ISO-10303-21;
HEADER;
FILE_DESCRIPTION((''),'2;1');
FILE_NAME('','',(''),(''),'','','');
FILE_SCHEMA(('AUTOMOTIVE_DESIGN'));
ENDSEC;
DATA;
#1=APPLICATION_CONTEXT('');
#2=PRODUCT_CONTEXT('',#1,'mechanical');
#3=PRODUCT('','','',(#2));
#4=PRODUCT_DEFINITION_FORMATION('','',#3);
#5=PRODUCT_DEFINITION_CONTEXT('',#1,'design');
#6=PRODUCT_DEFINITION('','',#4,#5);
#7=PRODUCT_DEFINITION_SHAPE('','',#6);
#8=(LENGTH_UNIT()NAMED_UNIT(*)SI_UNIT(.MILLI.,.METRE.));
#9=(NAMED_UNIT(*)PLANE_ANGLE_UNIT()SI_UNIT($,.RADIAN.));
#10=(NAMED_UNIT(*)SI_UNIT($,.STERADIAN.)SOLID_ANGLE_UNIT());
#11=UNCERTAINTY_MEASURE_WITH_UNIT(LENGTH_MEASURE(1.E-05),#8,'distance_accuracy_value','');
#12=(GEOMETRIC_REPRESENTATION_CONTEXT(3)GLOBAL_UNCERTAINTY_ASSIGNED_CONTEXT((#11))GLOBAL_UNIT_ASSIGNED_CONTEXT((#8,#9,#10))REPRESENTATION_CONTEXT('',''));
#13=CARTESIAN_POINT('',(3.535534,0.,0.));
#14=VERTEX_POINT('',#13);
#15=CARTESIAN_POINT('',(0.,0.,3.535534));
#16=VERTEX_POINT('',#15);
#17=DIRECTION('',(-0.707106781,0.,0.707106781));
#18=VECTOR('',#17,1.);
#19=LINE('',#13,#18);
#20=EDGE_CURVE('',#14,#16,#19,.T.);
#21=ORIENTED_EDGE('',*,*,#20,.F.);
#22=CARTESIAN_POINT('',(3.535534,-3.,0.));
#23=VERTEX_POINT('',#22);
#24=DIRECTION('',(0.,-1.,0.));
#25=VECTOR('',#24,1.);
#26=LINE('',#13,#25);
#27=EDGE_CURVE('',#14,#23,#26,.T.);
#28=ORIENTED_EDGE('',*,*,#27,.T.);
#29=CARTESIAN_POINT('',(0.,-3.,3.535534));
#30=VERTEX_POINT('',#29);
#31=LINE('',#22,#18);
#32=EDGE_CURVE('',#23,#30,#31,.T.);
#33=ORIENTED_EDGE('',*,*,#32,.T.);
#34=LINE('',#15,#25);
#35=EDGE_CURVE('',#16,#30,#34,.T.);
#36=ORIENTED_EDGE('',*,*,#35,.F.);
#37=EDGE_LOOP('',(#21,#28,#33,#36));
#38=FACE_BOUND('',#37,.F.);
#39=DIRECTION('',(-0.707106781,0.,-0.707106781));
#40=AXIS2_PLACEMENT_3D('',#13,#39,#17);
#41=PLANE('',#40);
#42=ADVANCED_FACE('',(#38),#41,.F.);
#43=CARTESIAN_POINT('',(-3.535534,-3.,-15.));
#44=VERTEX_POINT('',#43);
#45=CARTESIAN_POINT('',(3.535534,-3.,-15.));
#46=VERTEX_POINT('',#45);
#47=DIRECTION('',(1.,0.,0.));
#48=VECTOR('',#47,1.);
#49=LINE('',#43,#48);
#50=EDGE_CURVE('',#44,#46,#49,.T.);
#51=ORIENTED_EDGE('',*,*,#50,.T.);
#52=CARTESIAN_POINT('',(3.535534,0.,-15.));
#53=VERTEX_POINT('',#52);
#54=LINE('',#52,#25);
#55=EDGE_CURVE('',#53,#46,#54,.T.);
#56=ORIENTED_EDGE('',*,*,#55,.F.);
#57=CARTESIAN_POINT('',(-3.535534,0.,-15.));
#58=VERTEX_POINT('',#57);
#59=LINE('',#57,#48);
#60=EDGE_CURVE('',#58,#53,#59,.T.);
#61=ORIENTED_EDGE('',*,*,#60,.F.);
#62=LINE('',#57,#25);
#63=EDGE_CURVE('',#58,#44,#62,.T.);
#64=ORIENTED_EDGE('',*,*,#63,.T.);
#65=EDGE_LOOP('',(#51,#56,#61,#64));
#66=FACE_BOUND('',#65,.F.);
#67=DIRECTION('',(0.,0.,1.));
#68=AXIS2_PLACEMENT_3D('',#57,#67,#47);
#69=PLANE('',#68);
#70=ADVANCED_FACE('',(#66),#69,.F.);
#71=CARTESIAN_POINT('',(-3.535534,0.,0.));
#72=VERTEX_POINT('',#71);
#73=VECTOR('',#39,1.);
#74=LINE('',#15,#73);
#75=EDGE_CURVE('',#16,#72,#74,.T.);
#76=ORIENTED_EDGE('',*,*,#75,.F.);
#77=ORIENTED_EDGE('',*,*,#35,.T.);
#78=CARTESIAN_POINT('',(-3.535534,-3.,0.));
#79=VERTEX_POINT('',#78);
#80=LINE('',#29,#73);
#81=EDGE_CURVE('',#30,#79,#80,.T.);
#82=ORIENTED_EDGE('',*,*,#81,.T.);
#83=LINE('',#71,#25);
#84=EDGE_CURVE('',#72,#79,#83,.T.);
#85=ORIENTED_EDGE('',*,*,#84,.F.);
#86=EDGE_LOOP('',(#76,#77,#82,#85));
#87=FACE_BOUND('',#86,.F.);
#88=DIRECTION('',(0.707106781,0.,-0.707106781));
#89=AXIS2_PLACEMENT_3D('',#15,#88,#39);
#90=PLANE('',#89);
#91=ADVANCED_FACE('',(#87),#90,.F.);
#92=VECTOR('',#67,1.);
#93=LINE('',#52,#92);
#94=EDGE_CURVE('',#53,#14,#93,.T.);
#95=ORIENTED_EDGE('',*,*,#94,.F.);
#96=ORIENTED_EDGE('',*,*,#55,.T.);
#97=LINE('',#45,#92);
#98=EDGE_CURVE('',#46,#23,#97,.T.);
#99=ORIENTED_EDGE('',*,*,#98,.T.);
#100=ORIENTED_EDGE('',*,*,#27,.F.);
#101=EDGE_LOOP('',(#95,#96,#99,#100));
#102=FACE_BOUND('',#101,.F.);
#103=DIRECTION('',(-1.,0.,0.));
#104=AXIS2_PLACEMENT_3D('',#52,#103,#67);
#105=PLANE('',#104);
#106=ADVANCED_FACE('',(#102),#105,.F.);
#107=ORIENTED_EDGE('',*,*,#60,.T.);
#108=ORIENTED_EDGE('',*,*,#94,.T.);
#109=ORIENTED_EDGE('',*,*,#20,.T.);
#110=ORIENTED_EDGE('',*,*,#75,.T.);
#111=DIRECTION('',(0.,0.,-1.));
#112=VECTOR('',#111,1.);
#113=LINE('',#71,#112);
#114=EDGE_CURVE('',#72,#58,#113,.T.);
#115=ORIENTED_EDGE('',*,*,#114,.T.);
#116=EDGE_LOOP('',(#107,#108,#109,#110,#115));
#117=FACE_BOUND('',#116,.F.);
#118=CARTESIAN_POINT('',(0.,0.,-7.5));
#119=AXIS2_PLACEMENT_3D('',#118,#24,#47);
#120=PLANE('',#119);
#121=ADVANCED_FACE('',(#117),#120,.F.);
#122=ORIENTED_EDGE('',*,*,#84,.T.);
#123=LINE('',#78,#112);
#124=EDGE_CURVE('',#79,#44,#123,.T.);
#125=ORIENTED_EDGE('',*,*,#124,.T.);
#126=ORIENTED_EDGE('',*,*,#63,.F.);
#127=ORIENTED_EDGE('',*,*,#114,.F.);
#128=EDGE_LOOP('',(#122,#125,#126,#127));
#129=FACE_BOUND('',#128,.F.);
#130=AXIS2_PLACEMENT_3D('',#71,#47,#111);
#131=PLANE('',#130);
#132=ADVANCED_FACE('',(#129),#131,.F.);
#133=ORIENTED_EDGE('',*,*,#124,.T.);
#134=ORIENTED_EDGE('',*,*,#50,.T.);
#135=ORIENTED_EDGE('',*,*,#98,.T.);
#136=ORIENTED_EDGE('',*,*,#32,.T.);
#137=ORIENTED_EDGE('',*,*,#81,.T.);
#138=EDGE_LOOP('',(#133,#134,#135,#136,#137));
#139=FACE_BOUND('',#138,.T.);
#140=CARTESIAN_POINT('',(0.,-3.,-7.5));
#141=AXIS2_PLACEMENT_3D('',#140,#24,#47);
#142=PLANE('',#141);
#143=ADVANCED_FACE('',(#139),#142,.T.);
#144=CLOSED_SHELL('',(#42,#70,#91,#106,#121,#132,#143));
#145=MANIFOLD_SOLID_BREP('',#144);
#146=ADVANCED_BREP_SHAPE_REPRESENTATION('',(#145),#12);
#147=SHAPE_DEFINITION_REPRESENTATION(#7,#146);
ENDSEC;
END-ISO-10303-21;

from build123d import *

# Parameters (mm, degrees)
F1_DEPTH = 3


with BuildPart() as f1:
    # F0 (on Front) → F1 (new body)
    with BuildSketch(Plane.XZ):
        Polygon((3.535534, 0), (0, 0), (-3.535534, 0), (-3.535534, -15), (3.535534, -15), align=None)
        Polygon((-3.535534, 0), (0, 0), (3.535534, 0), (0, 3.535534), align=None)
    extrude(amount=F1_DEPTH)


solid = f1.part
